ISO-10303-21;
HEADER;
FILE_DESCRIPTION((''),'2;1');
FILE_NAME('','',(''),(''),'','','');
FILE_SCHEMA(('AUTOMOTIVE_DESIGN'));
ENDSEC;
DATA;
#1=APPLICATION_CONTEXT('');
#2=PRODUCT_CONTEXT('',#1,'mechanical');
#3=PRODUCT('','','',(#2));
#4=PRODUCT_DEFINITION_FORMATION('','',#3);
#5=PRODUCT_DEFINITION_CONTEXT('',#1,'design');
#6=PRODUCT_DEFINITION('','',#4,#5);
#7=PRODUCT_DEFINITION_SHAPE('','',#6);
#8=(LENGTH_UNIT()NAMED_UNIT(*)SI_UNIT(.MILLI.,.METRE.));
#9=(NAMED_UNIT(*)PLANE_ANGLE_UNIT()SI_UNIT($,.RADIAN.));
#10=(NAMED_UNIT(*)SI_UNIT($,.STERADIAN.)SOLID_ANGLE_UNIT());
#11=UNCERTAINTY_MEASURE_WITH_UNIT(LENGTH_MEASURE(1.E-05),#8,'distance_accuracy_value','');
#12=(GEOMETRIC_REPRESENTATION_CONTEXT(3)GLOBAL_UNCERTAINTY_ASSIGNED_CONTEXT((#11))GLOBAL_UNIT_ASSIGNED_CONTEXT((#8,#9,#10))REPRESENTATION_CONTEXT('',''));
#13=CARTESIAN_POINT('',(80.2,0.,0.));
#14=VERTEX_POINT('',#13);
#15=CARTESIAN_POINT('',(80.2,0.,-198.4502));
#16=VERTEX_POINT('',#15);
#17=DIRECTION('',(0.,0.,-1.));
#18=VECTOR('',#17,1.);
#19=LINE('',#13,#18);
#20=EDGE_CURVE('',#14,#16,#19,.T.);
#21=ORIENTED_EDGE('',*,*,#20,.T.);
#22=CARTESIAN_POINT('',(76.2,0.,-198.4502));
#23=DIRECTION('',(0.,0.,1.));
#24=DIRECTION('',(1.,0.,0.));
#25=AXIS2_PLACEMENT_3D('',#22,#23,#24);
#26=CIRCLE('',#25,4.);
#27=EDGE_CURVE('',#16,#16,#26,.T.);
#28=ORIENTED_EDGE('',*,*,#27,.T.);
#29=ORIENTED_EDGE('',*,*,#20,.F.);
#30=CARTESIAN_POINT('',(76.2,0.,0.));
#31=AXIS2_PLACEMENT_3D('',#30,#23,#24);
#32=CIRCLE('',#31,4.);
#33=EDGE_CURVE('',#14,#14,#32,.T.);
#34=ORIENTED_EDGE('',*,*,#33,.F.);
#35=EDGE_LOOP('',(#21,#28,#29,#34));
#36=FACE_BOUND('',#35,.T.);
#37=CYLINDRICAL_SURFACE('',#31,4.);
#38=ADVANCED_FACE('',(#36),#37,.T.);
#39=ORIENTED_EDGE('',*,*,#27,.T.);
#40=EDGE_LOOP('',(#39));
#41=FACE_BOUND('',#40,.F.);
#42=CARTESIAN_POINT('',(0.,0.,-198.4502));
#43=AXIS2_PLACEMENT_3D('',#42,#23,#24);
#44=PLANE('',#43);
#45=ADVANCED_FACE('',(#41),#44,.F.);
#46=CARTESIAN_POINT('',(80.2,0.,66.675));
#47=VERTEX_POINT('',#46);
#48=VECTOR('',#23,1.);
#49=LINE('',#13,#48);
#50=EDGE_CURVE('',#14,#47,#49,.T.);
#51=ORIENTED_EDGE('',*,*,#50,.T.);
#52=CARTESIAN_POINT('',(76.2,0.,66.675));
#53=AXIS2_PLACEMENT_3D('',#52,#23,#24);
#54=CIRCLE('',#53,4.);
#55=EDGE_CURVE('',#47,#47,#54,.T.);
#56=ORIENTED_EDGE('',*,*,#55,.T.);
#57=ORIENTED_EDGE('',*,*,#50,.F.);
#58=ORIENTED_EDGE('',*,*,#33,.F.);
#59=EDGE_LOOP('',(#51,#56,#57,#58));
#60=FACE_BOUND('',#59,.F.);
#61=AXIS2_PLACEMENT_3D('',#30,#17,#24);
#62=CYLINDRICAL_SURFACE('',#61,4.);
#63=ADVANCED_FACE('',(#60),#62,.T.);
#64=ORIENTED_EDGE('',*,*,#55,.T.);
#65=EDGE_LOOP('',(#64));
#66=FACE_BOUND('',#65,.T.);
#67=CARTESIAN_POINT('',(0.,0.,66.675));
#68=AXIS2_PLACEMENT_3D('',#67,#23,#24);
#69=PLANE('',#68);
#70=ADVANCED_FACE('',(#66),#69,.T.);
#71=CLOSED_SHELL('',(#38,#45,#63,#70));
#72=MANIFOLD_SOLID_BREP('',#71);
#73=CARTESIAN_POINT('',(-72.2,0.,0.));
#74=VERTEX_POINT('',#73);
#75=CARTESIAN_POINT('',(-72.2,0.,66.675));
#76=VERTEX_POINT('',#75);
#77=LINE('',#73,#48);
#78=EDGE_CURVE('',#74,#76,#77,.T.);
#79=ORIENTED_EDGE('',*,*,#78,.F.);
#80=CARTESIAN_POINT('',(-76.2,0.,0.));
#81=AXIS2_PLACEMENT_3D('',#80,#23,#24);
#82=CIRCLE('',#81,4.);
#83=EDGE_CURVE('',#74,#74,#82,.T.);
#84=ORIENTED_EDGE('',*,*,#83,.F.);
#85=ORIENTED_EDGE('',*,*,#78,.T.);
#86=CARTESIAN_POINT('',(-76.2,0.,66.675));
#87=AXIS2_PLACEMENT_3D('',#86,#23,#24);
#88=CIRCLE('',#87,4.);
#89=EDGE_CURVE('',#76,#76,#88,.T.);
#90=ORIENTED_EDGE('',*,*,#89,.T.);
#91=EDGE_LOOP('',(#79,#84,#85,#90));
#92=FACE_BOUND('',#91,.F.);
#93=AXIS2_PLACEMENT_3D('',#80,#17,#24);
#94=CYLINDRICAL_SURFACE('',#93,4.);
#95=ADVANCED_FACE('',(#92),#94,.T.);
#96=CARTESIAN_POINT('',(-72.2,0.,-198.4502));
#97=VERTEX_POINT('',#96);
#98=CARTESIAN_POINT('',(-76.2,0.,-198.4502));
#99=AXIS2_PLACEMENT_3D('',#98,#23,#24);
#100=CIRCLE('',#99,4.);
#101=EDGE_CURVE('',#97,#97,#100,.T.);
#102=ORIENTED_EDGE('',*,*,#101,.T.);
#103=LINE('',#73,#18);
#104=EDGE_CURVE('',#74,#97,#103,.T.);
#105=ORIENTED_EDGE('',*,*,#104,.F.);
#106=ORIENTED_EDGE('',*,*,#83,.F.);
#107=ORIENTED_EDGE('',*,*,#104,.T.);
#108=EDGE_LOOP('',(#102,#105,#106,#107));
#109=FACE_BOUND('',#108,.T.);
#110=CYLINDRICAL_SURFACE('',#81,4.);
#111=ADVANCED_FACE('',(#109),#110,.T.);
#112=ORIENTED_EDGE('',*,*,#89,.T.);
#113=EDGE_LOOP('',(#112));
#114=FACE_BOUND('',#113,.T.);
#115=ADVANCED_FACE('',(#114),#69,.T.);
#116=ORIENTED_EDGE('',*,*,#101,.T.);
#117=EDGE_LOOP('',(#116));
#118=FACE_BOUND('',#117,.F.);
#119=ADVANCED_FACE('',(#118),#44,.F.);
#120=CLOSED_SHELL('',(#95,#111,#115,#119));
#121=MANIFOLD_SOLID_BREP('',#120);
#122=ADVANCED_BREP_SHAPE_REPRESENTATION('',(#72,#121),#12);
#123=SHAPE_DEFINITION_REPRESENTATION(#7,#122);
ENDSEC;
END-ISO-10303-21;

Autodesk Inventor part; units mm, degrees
ref_plane "YZ Plane" through (0, 0, 0) normal (1, 0, 0) x (0, 1, 0)
ref_plane "XZ Plane" through (0, 0, 0) normal (0, 1, 0) x (-1, 0, 0)
ref_plane "XY Plane" through (0, 0, 0) normal (0, 0, 1) x (1, 0, 0)
ref_plane "Work Plane1" through (0, 0, 0) normal (0, 0, 1) x (1, 0, 0)
sketch "Sketch1" plane through (0, 0, 0) normal (0, 0, 1) x (1, 0, 0)
  circle A0 centre (76.2, 0) radius 4 projected
  circle A1 centre (-76.2, 0) radius 4 projected
  point P0 (0, 0)
extrude "Extrusion1" add sketch "Sketch1" along normal blind 66.675 and the other way blind 198.4502
properties part number "ZRails"
